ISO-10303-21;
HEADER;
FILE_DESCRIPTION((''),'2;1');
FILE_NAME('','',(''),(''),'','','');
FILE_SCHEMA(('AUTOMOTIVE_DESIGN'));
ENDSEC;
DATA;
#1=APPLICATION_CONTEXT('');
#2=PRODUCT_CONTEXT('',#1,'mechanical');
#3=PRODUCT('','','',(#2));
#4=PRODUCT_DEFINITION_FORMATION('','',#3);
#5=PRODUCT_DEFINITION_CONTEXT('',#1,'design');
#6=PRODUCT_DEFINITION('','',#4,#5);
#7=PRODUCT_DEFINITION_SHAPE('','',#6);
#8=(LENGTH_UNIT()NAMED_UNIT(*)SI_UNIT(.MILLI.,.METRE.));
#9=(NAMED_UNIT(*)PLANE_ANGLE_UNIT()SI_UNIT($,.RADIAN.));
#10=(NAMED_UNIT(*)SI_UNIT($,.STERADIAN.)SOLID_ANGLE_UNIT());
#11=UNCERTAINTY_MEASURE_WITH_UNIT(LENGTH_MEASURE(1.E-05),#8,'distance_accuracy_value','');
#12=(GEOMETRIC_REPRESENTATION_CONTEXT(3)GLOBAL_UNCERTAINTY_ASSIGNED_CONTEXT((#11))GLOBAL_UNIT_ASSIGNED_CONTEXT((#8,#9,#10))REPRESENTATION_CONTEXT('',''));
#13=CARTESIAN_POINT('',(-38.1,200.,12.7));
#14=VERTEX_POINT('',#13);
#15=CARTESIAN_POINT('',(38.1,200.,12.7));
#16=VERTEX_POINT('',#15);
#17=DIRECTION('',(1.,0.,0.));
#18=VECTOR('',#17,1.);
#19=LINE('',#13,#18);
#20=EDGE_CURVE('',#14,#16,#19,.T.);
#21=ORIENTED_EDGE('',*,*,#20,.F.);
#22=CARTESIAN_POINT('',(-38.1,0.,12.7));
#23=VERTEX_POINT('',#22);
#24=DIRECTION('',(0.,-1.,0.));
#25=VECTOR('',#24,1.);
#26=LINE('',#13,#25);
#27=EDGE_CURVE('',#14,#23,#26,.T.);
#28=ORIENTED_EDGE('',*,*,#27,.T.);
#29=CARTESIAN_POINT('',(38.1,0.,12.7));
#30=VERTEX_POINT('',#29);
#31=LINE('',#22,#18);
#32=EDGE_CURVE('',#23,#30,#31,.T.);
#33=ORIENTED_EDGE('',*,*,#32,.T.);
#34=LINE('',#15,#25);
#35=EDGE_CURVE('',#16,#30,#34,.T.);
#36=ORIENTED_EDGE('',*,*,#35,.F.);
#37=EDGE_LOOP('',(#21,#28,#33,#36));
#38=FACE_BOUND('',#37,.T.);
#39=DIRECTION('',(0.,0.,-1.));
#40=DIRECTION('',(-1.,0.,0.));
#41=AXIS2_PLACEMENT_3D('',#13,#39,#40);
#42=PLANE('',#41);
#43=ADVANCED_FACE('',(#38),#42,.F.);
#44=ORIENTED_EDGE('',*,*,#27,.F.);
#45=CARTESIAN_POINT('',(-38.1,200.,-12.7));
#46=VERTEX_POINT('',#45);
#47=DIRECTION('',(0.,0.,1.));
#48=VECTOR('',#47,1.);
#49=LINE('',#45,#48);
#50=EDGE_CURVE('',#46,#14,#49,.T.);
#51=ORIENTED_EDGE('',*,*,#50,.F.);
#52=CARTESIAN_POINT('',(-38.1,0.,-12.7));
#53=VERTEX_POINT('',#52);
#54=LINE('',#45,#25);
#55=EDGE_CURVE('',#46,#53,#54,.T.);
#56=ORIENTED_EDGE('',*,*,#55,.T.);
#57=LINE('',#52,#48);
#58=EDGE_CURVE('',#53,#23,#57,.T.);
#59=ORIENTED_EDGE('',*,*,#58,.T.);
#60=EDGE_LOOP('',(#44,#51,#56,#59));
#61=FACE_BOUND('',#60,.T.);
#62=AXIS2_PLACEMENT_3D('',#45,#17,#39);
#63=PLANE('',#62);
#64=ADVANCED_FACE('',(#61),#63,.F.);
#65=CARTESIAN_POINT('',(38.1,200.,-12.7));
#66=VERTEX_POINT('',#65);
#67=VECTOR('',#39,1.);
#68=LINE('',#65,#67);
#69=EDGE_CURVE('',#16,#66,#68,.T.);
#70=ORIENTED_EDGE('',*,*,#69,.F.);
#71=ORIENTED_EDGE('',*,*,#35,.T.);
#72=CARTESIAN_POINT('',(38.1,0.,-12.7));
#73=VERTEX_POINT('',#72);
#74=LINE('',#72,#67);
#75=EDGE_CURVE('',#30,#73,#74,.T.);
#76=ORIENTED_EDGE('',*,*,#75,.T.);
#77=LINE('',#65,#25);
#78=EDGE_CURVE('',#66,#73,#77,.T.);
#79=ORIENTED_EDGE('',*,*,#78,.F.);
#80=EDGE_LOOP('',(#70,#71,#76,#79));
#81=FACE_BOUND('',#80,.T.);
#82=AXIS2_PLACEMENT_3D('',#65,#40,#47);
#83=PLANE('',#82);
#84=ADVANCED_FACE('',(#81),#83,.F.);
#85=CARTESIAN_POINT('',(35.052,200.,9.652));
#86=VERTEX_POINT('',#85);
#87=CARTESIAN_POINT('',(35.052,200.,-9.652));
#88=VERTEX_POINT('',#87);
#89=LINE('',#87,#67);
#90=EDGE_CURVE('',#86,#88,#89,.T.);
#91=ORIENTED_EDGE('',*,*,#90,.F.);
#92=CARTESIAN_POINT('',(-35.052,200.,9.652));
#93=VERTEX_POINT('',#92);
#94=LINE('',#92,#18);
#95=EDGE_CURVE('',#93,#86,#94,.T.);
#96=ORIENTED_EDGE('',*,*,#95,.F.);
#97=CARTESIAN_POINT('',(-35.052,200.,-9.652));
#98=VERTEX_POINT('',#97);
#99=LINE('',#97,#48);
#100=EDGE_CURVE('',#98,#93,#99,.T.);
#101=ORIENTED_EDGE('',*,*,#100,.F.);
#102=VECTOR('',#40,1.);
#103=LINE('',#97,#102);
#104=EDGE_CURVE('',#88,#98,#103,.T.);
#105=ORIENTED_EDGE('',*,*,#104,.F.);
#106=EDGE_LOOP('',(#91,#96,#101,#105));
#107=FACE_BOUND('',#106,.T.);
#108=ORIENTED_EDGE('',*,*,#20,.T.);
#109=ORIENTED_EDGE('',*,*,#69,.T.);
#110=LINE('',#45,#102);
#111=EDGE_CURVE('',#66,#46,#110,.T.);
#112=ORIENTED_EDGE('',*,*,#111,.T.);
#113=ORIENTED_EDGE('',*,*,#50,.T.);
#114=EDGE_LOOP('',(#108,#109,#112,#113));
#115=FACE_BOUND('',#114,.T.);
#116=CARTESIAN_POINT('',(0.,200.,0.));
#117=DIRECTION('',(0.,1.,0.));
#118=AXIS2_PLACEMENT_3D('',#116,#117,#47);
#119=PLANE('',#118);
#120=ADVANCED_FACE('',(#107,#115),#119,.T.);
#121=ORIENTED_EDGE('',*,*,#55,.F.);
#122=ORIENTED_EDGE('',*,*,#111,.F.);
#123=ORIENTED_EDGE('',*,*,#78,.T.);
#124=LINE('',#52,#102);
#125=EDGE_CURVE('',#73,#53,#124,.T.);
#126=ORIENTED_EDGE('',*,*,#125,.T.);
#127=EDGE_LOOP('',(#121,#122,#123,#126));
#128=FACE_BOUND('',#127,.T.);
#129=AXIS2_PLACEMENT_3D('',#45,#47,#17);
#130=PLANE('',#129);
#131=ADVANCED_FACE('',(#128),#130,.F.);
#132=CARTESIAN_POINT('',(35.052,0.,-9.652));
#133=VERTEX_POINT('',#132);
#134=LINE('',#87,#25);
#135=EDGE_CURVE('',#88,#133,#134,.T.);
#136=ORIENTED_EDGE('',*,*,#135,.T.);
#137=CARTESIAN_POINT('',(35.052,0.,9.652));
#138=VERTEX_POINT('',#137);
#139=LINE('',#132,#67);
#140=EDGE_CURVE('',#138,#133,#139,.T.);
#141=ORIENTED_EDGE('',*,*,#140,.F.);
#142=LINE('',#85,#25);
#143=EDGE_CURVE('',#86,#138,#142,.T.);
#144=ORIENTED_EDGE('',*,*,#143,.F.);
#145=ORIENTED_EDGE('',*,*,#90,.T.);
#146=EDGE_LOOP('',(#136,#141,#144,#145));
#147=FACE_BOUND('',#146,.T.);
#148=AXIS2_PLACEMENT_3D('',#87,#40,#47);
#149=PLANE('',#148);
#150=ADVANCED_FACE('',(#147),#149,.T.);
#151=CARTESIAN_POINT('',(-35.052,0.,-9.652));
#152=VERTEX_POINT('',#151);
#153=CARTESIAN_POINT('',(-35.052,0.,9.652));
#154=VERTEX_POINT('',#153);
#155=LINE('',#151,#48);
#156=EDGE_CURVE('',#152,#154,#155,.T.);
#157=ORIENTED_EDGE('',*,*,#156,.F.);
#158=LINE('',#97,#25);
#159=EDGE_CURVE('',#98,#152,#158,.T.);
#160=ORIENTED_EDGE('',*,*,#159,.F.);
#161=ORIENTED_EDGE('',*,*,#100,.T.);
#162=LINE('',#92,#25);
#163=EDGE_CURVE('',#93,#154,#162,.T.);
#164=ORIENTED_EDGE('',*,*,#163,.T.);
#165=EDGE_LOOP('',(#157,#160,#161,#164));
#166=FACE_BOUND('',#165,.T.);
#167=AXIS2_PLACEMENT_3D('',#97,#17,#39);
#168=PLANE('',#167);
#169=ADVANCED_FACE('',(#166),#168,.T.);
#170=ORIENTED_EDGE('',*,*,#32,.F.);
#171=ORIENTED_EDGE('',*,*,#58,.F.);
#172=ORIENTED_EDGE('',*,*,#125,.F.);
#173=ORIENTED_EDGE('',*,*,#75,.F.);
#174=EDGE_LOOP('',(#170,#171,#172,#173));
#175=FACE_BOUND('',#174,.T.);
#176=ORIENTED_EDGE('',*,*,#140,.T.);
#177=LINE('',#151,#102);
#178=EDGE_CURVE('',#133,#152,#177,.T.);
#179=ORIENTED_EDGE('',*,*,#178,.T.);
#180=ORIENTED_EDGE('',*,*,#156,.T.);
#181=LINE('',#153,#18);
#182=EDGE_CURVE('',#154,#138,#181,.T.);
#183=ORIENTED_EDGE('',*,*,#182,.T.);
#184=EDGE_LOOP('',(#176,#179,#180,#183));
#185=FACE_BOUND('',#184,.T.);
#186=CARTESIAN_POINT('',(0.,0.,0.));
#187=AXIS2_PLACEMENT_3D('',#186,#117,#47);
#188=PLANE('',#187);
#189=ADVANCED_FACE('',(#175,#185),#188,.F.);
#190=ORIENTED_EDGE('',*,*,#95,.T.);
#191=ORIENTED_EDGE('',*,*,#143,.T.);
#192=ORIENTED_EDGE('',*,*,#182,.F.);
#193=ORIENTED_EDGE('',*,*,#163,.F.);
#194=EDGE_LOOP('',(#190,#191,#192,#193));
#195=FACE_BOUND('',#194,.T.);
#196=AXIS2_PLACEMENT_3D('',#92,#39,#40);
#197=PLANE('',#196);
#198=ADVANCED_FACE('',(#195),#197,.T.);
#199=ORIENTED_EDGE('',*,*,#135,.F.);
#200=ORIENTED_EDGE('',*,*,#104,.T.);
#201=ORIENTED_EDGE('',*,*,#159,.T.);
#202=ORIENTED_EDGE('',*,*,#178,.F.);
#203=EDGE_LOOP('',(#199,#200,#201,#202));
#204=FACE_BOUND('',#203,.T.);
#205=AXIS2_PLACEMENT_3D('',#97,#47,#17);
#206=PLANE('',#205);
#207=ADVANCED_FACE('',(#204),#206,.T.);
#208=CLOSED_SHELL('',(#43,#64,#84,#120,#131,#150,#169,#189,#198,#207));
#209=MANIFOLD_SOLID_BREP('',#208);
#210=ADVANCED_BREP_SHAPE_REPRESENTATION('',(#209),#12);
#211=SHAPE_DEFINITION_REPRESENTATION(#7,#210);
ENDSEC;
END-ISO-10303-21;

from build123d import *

# Parameters (mm, degrees)
SKETCH1_W           = 76.2
SKETCH1_H           = 25.4
SKETCH1_W_2         = 70.104
SKETCH1_H_2         = 19.304
BOSS_EXTRUDE1_DEPTH = 200


with BuildPart() as part:
    # Sketch1 → Boss-Extrude1 (new body)
    with BuildSketch(Plane(origin=(0, 0, 0), x_dir=(1, 0, 0), z_dir=(0, 1, 0))):
        Rectangle(SKETCH1_W, SKETCH1_H)
        Rectangle(SKETCH1_W_2, SKETCH1_H_2, mode=Mode.SUBTRACT)
    extrude(amount=BOSS_EXTRUDE1_DEPTH)


solid = part.part
